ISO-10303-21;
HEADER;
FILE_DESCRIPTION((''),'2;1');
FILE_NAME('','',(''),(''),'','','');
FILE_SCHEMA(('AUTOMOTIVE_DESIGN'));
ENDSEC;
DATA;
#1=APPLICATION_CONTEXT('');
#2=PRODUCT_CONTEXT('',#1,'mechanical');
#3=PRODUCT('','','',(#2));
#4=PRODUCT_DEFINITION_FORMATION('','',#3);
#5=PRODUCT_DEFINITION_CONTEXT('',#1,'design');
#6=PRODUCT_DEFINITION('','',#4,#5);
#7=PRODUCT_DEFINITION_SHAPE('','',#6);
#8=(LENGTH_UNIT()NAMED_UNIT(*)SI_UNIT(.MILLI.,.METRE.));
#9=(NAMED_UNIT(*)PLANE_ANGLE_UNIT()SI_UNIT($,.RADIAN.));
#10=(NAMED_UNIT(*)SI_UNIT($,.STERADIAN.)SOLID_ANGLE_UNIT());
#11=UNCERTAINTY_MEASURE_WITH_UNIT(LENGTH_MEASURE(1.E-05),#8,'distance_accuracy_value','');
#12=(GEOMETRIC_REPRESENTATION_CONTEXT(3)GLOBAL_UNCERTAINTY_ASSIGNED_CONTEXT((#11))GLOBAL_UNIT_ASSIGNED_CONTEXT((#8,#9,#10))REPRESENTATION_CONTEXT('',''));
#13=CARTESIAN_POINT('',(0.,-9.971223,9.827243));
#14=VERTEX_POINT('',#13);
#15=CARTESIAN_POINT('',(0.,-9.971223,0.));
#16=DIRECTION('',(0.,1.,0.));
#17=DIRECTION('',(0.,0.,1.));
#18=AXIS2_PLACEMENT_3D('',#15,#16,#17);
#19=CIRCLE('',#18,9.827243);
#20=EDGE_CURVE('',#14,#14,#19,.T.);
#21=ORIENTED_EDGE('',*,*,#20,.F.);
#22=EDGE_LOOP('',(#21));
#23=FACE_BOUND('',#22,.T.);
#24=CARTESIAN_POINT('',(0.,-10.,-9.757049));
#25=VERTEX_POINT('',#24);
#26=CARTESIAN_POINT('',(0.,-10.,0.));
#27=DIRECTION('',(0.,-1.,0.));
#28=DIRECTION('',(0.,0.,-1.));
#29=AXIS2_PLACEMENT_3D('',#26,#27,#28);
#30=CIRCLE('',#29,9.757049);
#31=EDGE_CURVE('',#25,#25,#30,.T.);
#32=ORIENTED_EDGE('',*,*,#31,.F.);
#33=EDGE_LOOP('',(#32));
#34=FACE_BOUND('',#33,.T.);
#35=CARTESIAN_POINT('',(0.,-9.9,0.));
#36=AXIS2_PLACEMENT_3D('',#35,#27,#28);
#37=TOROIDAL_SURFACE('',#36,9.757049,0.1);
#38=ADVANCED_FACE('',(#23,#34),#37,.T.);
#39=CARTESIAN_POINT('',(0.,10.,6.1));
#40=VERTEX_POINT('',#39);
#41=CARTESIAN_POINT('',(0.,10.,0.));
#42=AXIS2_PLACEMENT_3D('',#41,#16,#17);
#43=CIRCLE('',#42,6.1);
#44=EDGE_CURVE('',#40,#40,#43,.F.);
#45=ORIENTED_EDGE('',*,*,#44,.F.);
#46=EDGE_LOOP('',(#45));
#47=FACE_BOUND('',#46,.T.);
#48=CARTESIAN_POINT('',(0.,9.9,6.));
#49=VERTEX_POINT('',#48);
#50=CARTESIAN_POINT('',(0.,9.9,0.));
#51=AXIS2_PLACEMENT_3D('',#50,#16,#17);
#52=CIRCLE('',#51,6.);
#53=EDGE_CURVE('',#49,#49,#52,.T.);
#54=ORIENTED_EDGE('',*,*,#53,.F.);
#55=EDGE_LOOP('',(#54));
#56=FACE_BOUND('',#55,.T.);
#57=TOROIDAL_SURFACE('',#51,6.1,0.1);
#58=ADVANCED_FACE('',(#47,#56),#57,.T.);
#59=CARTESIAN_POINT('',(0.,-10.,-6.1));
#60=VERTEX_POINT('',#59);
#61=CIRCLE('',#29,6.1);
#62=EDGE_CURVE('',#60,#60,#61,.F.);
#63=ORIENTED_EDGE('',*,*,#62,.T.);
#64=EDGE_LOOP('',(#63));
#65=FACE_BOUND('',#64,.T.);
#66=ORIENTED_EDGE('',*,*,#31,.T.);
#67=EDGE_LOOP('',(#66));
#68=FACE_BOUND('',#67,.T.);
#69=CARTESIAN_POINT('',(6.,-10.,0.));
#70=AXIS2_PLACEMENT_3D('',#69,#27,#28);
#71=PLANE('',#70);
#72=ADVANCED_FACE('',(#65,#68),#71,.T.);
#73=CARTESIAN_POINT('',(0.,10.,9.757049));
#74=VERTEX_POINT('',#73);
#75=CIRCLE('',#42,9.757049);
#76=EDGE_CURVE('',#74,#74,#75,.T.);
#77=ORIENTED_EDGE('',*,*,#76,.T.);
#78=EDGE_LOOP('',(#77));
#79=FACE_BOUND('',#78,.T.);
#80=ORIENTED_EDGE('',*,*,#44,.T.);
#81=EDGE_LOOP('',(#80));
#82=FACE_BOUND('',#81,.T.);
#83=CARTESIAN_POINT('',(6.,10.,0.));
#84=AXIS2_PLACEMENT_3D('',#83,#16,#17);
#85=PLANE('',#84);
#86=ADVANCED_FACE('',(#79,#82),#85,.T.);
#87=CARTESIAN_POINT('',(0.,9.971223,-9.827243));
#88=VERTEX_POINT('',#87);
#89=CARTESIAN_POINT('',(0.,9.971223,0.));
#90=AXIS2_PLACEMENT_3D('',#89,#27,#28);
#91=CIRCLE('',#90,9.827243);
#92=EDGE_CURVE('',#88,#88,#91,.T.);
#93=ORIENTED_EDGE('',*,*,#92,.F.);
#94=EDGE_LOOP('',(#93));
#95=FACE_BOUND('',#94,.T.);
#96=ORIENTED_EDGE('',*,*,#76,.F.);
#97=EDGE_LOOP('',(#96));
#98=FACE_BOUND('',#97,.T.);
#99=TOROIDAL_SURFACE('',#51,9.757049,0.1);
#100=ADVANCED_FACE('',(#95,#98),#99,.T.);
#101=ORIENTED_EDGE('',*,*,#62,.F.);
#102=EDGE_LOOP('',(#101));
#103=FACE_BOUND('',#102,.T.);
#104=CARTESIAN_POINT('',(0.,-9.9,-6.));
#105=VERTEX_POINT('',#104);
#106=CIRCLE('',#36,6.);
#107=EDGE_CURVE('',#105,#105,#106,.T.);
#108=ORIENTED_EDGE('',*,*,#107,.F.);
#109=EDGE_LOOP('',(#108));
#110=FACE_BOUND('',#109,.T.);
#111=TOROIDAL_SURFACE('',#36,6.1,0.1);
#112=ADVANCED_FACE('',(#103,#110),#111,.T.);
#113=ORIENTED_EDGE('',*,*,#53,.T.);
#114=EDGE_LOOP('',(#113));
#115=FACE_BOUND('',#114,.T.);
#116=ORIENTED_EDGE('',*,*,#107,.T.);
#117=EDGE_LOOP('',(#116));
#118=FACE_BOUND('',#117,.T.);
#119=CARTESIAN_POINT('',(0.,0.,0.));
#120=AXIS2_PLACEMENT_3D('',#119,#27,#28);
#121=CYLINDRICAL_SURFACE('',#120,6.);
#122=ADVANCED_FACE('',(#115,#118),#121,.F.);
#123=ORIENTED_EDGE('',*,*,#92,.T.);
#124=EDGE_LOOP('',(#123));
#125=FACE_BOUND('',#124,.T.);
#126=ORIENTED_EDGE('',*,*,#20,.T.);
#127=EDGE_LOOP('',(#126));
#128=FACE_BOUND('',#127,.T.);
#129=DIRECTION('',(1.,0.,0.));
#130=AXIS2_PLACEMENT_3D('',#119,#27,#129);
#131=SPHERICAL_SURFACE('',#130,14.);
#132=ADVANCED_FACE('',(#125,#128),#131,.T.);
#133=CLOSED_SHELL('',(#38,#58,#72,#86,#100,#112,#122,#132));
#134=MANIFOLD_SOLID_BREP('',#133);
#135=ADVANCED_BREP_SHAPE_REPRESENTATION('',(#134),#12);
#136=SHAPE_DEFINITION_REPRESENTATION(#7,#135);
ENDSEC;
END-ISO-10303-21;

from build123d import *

# Parameters (mm, degrees)
FILLET1_R = 0.1


with BuildPart() as part:
    # Sketch1 → Revolve1 (revolve)
    with BuildSketch(Plane.XY):
        with BuildLine():
            Line((6, -10), (6, 10))
            Line((6, 10), (9.797958971, 10))
            ThreePointArc((9.797958971, 10), (14, 0), (9.797958971, -10))
            Line((9.797958971, -10), (6, -10))
        make_face()
    revolve(axis=Axis((0, 0, 0), (0, 1, 0)))

    # Fillet1
    fillet1_edges = [part.edges().sort_by_distance(p)[0] for p in [
        (-9.797958971, -10, 0),
        (-9.797958971, 10, 0),
        (-6, 10, 0),
        (-6, -10, 0),
    ]]
    fillet(fillet1_edges, radius=FILLET1_R)


solid = part.part
